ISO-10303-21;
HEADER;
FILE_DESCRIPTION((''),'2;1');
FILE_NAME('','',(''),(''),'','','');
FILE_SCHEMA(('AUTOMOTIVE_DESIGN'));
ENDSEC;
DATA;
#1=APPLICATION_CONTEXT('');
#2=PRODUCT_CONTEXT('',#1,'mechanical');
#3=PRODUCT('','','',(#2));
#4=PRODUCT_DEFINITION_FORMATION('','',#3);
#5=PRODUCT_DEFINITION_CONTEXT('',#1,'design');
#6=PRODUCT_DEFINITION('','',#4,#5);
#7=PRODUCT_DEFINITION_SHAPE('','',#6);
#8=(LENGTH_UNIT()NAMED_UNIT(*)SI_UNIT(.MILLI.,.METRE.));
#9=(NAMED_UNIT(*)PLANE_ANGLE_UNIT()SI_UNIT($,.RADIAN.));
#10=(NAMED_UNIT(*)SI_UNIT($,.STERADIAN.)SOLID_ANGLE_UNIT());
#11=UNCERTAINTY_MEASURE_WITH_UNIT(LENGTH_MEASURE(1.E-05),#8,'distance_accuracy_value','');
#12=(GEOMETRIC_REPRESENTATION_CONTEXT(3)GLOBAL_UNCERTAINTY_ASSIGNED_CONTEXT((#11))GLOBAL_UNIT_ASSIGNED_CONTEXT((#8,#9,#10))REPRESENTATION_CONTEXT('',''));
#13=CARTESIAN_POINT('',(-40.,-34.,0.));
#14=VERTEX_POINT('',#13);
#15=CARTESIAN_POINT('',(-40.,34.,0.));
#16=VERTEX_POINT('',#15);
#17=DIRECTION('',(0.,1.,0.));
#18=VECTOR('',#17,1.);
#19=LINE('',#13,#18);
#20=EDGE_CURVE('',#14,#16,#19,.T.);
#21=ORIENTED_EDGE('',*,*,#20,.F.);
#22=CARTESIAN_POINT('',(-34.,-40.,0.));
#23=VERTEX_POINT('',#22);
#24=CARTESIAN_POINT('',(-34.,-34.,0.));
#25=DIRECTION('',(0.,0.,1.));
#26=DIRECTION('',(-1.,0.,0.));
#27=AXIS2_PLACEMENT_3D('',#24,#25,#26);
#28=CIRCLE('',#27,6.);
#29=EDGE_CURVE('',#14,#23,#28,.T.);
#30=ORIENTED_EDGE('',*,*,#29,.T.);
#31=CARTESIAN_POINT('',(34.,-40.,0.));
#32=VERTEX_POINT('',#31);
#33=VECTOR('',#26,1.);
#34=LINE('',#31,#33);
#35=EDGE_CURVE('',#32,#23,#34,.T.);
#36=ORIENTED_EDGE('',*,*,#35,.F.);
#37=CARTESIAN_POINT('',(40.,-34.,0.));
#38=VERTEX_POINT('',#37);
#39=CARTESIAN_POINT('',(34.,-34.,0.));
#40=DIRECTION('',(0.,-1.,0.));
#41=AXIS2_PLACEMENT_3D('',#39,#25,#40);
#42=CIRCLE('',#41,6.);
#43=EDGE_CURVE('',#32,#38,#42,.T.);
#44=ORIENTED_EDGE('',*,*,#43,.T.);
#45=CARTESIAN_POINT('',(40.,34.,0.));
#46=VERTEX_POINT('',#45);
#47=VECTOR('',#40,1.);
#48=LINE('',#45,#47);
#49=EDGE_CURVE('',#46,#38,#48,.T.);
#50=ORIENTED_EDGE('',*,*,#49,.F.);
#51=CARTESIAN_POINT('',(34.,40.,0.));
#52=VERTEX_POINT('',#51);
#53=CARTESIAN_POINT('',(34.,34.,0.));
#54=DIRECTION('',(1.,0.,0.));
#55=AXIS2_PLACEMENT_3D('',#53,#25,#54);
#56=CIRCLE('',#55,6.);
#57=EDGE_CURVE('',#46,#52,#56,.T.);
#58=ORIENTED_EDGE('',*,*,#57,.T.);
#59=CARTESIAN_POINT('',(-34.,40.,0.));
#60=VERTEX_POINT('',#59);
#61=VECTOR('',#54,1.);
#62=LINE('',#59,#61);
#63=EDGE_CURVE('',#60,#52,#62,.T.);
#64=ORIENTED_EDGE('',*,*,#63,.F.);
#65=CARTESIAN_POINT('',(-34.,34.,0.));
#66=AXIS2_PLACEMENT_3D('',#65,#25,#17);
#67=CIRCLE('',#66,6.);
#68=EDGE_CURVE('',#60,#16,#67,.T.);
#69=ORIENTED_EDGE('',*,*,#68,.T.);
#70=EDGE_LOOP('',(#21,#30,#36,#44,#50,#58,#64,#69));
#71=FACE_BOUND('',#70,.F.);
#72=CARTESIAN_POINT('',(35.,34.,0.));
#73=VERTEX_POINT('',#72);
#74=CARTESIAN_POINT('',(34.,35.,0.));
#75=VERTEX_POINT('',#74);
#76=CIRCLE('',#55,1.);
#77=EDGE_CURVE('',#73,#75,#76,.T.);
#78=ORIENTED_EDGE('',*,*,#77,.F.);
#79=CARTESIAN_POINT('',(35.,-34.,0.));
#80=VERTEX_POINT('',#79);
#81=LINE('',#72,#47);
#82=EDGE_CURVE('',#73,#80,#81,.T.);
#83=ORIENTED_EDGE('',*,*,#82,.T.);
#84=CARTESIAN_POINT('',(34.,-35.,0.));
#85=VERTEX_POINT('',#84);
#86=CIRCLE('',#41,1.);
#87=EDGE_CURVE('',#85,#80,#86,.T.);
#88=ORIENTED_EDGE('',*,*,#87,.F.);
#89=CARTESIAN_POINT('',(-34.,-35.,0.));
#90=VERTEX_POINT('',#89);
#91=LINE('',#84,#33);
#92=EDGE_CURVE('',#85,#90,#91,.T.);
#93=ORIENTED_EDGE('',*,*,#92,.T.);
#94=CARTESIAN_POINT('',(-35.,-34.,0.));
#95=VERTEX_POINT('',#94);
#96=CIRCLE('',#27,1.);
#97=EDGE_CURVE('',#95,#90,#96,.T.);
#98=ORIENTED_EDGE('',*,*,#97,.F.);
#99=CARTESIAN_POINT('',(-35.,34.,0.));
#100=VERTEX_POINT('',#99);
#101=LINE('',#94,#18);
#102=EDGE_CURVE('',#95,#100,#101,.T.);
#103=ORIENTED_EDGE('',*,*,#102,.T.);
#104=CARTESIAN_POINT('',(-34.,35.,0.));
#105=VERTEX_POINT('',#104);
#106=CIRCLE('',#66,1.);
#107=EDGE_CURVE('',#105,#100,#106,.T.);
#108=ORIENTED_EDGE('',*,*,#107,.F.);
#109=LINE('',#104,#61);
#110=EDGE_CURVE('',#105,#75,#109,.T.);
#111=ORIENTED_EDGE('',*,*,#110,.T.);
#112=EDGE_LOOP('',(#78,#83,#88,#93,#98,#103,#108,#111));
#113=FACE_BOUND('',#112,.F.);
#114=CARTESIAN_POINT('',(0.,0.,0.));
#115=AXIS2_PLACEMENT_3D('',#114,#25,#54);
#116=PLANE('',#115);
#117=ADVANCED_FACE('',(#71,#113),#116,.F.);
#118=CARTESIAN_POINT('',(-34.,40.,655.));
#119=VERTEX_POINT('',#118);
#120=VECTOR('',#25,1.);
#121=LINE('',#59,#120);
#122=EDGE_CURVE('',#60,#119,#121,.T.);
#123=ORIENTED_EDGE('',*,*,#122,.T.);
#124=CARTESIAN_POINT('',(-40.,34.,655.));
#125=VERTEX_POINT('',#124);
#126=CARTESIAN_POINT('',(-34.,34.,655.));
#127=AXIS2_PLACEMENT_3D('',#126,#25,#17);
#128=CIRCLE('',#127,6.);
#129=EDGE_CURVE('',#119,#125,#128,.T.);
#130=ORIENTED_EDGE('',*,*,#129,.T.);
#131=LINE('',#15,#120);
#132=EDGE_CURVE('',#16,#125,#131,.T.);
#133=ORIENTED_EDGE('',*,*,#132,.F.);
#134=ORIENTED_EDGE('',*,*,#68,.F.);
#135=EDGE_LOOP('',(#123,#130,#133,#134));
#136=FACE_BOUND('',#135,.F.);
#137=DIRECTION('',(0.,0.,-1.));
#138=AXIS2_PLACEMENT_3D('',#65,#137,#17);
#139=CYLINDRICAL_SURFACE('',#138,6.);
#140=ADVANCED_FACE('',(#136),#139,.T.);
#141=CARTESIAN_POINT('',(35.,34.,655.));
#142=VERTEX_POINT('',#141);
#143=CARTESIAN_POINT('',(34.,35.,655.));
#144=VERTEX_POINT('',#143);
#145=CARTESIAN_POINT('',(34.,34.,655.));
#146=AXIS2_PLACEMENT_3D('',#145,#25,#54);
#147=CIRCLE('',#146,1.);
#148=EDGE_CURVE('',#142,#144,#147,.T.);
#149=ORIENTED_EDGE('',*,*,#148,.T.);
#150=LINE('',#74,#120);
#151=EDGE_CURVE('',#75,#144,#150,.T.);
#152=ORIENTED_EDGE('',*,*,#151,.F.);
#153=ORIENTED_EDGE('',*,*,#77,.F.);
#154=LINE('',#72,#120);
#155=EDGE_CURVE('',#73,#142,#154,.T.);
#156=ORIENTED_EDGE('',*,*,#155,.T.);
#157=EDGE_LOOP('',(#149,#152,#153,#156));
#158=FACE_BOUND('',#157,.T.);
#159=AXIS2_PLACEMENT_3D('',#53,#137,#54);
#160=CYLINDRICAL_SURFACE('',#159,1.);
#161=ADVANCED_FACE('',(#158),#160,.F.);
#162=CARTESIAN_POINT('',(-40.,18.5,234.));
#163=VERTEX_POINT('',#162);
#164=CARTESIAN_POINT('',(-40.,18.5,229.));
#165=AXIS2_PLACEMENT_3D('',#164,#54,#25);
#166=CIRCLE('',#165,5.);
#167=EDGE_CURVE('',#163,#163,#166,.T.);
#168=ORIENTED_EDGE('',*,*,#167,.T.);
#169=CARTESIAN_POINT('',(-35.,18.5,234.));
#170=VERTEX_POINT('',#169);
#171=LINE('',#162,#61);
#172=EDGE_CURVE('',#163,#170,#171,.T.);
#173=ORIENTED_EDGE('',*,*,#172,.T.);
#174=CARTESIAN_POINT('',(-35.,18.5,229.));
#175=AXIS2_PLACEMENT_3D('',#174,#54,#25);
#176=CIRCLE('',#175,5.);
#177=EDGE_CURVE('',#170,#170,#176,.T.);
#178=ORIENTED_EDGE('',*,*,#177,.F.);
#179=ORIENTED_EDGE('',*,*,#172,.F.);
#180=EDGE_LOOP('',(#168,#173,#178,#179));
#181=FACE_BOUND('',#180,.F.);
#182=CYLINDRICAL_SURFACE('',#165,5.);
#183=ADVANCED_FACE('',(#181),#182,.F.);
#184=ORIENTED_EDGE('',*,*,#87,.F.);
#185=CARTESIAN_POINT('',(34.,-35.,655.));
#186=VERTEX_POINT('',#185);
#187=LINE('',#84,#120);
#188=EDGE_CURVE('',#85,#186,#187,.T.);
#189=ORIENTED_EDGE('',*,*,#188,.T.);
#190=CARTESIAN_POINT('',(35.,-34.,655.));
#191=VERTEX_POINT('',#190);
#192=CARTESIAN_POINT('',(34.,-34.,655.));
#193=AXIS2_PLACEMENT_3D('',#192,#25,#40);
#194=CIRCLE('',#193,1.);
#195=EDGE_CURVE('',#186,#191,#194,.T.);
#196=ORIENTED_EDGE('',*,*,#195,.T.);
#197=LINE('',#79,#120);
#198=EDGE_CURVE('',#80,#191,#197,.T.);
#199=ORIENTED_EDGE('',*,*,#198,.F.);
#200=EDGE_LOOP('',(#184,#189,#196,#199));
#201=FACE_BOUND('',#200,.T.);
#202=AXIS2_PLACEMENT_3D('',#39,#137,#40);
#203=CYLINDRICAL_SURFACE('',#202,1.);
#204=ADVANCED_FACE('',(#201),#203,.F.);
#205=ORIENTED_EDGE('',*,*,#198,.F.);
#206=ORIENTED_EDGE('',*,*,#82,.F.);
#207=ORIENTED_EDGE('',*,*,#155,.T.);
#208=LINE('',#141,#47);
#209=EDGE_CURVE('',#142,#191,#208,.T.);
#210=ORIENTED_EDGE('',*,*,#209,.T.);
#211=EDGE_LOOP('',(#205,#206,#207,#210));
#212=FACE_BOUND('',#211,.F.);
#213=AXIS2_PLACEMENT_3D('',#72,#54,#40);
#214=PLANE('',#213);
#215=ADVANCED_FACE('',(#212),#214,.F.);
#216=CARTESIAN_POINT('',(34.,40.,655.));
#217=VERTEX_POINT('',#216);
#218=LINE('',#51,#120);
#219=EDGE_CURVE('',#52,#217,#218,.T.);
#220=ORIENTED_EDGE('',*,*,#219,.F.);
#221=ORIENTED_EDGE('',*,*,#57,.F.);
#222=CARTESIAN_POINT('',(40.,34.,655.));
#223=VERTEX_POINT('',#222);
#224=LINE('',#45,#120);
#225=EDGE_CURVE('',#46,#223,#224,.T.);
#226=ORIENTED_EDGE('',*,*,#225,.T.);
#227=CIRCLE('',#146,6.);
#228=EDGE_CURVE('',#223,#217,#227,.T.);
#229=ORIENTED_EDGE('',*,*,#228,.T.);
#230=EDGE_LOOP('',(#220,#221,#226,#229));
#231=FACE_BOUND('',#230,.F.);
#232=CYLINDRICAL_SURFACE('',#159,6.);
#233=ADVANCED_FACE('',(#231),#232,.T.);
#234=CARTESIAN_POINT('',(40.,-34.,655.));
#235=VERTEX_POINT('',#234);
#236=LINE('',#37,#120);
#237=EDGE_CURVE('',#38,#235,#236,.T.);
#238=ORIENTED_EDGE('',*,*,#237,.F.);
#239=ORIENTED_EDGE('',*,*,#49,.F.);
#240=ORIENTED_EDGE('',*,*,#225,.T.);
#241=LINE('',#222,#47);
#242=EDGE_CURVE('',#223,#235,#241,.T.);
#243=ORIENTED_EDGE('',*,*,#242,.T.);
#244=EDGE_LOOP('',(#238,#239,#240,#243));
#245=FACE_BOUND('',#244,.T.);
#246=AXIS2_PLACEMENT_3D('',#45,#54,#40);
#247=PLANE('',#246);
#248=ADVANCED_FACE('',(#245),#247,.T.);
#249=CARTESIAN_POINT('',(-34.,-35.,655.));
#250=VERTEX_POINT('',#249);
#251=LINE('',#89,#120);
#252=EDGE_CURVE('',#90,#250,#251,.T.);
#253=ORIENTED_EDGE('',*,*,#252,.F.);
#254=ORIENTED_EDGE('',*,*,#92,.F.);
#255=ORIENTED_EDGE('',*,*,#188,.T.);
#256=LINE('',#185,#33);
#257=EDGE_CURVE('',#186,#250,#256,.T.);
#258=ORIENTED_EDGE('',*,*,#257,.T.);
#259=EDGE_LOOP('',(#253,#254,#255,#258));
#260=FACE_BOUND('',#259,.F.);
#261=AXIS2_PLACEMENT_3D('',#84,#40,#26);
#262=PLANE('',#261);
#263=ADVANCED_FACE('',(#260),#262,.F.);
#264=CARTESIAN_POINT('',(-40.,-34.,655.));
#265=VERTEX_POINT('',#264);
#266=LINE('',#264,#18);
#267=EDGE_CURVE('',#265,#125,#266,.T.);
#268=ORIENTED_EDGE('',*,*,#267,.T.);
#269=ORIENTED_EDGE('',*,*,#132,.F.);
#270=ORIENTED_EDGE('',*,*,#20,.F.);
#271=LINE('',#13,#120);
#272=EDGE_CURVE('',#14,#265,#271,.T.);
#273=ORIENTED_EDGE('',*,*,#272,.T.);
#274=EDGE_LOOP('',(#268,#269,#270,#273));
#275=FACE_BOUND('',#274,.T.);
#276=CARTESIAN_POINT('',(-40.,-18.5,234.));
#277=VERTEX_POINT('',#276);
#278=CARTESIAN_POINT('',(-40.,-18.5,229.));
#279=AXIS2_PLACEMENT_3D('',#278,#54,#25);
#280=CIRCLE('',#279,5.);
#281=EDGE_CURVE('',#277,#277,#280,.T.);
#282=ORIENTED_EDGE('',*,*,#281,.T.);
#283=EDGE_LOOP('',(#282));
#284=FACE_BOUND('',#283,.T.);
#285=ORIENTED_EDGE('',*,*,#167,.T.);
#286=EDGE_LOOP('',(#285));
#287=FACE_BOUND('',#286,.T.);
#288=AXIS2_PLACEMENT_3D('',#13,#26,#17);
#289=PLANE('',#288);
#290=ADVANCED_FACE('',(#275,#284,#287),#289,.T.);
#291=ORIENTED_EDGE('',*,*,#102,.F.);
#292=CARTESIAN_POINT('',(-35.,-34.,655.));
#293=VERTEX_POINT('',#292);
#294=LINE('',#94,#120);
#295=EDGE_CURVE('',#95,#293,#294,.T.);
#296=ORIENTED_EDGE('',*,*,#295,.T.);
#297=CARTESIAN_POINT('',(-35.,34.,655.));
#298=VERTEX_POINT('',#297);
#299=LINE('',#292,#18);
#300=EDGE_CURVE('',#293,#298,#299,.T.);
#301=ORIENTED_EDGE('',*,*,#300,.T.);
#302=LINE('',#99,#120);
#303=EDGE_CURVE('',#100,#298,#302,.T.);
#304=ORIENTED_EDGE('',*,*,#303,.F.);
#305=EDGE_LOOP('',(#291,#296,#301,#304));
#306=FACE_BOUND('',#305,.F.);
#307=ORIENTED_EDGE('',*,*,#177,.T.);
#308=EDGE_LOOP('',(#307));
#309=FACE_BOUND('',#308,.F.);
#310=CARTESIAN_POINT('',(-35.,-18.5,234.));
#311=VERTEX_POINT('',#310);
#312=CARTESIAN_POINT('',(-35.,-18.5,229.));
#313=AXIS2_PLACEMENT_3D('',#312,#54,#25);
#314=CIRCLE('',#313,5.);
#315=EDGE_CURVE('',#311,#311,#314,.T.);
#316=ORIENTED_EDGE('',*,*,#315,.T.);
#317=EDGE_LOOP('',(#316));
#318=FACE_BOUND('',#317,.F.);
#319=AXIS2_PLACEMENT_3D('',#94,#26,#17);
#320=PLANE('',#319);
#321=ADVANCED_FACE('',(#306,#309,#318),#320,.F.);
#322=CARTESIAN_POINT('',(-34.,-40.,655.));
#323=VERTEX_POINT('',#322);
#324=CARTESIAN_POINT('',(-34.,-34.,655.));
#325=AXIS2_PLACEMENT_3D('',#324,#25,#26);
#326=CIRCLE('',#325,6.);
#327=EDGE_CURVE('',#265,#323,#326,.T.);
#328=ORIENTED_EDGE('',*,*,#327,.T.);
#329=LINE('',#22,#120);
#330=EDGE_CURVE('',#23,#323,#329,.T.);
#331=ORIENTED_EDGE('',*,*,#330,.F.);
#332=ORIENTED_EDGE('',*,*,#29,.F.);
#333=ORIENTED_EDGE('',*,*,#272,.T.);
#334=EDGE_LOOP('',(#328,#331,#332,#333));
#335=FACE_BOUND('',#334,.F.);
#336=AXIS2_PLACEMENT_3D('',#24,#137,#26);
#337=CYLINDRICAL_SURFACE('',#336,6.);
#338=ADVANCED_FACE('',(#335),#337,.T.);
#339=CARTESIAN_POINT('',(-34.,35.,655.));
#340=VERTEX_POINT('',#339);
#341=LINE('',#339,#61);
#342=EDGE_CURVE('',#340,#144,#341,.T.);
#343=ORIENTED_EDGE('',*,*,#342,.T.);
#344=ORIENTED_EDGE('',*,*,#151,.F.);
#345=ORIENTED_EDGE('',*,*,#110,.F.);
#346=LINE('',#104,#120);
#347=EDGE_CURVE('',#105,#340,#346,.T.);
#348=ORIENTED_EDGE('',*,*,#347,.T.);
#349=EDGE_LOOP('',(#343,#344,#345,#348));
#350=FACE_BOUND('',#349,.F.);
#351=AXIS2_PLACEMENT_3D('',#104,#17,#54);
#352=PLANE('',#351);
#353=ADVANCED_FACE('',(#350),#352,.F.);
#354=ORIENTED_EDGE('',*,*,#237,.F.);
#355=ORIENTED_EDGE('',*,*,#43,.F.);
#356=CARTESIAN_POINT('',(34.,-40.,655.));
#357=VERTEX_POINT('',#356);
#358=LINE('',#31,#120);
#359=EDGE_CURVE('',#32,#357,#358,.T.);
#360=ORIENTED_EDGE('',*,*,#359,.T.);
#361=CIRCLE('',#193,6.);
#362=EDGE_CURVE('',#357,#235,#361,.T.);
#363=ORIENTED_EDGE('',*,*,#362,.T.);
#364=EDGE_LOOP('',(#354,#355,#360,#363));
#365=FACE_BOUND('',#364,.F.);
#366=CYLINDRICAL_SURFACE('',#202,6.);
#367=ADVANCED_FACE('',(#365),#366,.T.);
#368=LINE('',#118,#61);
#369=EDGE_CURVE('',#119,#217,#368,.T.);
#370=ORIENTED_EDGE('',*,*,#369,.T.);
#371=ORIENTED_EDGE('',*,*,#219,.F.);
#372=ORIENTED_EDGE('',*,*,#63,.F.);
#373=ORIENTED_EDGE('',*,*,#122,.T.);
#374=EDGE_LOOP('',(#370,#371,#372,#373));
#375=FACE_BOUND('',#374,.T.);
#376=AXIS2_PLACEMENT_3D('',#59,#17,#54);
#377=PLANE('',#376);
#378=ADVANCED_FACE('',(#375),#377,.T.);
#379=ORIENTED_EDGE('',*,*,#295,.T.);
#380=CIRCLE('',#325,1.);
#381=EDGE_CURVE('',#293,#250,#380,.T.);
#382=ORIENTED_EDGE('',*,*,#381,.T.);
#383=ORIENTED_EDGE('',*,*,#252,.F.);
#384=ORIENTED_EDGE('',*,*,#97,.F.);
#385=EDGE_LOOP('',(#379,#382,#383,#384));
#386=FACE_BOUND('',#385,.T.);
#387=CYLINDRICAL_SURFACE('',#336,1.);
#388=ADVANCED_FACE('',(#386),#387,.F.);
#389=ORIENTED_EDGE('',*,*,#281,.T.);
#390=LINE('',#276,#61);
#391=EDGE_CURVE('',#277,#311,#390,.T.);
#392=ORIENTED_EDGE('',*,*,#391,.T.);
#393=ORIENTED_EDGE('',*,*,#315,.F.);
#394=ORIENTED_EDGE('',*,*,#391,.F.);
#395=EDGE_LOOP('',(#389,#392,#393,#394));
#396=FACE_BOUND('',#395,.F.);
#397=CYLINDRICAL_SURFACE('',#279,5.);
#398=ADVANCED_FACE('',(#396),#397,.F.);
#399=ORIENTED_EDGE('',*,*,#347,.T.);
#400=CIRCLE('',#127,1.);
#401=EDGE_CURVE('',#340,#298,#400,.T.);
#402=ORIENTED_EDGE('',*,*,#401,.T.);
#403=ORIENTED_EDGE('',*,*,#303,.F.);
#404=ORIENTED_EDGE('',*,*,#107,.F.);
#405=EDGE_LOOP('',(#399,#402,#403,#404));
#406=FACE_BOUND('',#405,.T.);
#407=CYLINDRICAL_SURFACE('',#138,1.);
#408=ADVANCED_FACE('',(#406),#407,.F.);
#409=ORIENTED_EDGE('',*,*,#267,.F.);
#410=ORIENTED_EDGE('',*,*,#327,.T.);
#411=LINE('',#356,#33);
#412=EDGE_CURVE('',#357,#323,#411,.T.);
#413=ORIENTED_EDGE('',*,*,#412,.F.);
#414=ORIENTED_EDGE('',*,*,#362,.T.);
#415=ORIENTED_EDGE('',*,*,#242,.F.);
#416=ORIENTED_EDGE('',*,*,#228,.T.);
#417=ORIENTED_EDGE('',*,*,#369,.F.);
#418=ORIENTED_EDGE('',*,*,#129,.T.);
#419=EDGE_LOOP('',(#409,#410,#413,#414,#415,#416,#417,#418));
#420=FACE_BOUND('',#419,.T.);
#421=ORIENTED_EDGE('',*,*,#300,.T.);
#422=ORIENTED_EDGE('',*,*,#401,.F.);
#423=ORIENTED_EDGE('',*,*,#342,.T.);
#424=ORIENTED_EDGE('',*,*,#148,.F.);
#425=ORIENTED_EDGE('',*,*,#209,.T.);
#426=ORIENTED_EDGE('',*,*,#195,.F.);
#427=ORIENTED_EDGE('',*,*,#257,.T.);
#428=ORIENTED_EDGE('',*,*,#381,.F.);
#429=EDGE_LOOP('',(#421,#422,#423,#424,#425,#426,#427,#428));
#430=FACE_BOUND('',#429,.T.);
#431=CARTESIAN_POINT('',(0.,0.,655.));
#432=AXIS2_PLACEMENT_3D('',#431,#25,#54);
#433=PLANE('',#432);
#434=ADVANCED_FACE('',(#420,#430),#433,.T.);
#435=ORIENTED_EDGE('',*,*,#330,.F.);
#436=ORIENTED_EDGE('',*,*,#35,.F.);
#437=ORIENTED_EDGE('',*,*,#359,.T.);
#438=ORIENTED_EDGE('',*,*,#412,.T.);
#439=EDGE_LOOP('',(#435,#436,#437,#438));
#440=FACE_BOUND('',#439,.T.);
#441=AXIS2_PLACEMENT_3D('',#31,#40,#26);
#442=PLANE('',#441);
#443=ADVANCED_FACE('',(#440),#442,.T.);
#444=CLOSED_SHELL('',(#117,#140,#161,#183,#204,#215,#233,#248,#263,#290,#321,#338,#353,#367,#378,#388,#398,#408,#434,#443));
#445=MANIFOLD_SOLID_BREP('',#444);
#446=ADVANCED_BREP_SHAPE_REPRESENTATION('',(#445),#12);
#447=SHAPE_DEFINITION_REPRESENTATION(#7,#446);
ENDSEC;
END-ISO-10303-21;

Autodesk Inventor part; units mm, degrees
ref_plane "YZ Plane" through (0, 0, 0) normal (1, 0, 0) x (0, 1, 0)
ref_plane "XZ Plane" through (0, 0, 0) normal (0, 1, 0) x (-1, 0, 0)
ref_plane "XY Plane" through (0, 0, 0) normal (0, 0, 1) x (1, 0, 0)
sketch "Sketch1" plane through (0, 0, 0) normal (0, 0, 1) x (1, 0, 0)
  line L0 (40, 34) -> (40, -34)
  line L1 (34, -40) -> (-34, -40)
  line L2 (-40, -34) -> (-40, 34)
  line L3 (-34, 40) -> (34, 40)
  arc A0 (-34, 40) -> (-40, 34) centre (-34, 34) ccw
  arc A1 (40, 34) -> (34, 40) centre (34, 34) ccw
  arc A2 (34, -40) -> (40, -34) centre (34, -34) ccw
  arc A3 (-40, -34) -> (-34, -40) centre (-34, -34) ccw
  arc A4 (-34, 35) -> (-35, 34) centre (-34, 34) ccw
  line L4 (-34, 35) -> (34, 35)
  arc A5 (35, 34) -> (34, 35) centre (34, 34) ccw
  line L5 (35, 34) -> (35, -34)
  arc A6 (34, -35) -> (35, -34) centre (34, -34) ccw
  line L6 (34, -35) -> (-34, -35)
  arc A7 (-35, -34) -> (-34, -35) centre (-34, -34) ccw
  line L7 (-35, -34) -> (-35, 34)
  point P0 (0, 0)
  point P1 (0, 0)
  point P2 (40, 40)
  point P3 (40, -40)
  point P4 (-40, -40)
  point P5 (-40, 40)
  dimension "d0" = 80
  dimension "d1" = 6
  dimension "d2" = 6
  dimension "d3" = 6
  dimension "d4" = 6
  dimension "d5" = 5
extrude "Extrusion1" add sketch "Sketch1" along normal blind 655
sketch "Sketch2" plane through (-40, -34, 0) normal (-1, 0, 0) x (0, 0, 1)
  line L0 (0, 0) -> (0, 68) projected
  line L1 (0, 0) -> (655, 0) projected
  line L2 (0, 34) -> (229, 34)
  line L3 (229, 34) -> (229, 52.5)
  line L4 (229, 34) -> (229, 15.5)
  dimension "d8" = 229
  dimension "d9" = 18.5
hole "Hole1" at (-40, 18.5, 229) at (-40, -18.5, 229) direction (1, 0, 0) diameter 10 depth 8 tip angle 118
properties part number "3136 1094 43" material "Steel, Mild"
